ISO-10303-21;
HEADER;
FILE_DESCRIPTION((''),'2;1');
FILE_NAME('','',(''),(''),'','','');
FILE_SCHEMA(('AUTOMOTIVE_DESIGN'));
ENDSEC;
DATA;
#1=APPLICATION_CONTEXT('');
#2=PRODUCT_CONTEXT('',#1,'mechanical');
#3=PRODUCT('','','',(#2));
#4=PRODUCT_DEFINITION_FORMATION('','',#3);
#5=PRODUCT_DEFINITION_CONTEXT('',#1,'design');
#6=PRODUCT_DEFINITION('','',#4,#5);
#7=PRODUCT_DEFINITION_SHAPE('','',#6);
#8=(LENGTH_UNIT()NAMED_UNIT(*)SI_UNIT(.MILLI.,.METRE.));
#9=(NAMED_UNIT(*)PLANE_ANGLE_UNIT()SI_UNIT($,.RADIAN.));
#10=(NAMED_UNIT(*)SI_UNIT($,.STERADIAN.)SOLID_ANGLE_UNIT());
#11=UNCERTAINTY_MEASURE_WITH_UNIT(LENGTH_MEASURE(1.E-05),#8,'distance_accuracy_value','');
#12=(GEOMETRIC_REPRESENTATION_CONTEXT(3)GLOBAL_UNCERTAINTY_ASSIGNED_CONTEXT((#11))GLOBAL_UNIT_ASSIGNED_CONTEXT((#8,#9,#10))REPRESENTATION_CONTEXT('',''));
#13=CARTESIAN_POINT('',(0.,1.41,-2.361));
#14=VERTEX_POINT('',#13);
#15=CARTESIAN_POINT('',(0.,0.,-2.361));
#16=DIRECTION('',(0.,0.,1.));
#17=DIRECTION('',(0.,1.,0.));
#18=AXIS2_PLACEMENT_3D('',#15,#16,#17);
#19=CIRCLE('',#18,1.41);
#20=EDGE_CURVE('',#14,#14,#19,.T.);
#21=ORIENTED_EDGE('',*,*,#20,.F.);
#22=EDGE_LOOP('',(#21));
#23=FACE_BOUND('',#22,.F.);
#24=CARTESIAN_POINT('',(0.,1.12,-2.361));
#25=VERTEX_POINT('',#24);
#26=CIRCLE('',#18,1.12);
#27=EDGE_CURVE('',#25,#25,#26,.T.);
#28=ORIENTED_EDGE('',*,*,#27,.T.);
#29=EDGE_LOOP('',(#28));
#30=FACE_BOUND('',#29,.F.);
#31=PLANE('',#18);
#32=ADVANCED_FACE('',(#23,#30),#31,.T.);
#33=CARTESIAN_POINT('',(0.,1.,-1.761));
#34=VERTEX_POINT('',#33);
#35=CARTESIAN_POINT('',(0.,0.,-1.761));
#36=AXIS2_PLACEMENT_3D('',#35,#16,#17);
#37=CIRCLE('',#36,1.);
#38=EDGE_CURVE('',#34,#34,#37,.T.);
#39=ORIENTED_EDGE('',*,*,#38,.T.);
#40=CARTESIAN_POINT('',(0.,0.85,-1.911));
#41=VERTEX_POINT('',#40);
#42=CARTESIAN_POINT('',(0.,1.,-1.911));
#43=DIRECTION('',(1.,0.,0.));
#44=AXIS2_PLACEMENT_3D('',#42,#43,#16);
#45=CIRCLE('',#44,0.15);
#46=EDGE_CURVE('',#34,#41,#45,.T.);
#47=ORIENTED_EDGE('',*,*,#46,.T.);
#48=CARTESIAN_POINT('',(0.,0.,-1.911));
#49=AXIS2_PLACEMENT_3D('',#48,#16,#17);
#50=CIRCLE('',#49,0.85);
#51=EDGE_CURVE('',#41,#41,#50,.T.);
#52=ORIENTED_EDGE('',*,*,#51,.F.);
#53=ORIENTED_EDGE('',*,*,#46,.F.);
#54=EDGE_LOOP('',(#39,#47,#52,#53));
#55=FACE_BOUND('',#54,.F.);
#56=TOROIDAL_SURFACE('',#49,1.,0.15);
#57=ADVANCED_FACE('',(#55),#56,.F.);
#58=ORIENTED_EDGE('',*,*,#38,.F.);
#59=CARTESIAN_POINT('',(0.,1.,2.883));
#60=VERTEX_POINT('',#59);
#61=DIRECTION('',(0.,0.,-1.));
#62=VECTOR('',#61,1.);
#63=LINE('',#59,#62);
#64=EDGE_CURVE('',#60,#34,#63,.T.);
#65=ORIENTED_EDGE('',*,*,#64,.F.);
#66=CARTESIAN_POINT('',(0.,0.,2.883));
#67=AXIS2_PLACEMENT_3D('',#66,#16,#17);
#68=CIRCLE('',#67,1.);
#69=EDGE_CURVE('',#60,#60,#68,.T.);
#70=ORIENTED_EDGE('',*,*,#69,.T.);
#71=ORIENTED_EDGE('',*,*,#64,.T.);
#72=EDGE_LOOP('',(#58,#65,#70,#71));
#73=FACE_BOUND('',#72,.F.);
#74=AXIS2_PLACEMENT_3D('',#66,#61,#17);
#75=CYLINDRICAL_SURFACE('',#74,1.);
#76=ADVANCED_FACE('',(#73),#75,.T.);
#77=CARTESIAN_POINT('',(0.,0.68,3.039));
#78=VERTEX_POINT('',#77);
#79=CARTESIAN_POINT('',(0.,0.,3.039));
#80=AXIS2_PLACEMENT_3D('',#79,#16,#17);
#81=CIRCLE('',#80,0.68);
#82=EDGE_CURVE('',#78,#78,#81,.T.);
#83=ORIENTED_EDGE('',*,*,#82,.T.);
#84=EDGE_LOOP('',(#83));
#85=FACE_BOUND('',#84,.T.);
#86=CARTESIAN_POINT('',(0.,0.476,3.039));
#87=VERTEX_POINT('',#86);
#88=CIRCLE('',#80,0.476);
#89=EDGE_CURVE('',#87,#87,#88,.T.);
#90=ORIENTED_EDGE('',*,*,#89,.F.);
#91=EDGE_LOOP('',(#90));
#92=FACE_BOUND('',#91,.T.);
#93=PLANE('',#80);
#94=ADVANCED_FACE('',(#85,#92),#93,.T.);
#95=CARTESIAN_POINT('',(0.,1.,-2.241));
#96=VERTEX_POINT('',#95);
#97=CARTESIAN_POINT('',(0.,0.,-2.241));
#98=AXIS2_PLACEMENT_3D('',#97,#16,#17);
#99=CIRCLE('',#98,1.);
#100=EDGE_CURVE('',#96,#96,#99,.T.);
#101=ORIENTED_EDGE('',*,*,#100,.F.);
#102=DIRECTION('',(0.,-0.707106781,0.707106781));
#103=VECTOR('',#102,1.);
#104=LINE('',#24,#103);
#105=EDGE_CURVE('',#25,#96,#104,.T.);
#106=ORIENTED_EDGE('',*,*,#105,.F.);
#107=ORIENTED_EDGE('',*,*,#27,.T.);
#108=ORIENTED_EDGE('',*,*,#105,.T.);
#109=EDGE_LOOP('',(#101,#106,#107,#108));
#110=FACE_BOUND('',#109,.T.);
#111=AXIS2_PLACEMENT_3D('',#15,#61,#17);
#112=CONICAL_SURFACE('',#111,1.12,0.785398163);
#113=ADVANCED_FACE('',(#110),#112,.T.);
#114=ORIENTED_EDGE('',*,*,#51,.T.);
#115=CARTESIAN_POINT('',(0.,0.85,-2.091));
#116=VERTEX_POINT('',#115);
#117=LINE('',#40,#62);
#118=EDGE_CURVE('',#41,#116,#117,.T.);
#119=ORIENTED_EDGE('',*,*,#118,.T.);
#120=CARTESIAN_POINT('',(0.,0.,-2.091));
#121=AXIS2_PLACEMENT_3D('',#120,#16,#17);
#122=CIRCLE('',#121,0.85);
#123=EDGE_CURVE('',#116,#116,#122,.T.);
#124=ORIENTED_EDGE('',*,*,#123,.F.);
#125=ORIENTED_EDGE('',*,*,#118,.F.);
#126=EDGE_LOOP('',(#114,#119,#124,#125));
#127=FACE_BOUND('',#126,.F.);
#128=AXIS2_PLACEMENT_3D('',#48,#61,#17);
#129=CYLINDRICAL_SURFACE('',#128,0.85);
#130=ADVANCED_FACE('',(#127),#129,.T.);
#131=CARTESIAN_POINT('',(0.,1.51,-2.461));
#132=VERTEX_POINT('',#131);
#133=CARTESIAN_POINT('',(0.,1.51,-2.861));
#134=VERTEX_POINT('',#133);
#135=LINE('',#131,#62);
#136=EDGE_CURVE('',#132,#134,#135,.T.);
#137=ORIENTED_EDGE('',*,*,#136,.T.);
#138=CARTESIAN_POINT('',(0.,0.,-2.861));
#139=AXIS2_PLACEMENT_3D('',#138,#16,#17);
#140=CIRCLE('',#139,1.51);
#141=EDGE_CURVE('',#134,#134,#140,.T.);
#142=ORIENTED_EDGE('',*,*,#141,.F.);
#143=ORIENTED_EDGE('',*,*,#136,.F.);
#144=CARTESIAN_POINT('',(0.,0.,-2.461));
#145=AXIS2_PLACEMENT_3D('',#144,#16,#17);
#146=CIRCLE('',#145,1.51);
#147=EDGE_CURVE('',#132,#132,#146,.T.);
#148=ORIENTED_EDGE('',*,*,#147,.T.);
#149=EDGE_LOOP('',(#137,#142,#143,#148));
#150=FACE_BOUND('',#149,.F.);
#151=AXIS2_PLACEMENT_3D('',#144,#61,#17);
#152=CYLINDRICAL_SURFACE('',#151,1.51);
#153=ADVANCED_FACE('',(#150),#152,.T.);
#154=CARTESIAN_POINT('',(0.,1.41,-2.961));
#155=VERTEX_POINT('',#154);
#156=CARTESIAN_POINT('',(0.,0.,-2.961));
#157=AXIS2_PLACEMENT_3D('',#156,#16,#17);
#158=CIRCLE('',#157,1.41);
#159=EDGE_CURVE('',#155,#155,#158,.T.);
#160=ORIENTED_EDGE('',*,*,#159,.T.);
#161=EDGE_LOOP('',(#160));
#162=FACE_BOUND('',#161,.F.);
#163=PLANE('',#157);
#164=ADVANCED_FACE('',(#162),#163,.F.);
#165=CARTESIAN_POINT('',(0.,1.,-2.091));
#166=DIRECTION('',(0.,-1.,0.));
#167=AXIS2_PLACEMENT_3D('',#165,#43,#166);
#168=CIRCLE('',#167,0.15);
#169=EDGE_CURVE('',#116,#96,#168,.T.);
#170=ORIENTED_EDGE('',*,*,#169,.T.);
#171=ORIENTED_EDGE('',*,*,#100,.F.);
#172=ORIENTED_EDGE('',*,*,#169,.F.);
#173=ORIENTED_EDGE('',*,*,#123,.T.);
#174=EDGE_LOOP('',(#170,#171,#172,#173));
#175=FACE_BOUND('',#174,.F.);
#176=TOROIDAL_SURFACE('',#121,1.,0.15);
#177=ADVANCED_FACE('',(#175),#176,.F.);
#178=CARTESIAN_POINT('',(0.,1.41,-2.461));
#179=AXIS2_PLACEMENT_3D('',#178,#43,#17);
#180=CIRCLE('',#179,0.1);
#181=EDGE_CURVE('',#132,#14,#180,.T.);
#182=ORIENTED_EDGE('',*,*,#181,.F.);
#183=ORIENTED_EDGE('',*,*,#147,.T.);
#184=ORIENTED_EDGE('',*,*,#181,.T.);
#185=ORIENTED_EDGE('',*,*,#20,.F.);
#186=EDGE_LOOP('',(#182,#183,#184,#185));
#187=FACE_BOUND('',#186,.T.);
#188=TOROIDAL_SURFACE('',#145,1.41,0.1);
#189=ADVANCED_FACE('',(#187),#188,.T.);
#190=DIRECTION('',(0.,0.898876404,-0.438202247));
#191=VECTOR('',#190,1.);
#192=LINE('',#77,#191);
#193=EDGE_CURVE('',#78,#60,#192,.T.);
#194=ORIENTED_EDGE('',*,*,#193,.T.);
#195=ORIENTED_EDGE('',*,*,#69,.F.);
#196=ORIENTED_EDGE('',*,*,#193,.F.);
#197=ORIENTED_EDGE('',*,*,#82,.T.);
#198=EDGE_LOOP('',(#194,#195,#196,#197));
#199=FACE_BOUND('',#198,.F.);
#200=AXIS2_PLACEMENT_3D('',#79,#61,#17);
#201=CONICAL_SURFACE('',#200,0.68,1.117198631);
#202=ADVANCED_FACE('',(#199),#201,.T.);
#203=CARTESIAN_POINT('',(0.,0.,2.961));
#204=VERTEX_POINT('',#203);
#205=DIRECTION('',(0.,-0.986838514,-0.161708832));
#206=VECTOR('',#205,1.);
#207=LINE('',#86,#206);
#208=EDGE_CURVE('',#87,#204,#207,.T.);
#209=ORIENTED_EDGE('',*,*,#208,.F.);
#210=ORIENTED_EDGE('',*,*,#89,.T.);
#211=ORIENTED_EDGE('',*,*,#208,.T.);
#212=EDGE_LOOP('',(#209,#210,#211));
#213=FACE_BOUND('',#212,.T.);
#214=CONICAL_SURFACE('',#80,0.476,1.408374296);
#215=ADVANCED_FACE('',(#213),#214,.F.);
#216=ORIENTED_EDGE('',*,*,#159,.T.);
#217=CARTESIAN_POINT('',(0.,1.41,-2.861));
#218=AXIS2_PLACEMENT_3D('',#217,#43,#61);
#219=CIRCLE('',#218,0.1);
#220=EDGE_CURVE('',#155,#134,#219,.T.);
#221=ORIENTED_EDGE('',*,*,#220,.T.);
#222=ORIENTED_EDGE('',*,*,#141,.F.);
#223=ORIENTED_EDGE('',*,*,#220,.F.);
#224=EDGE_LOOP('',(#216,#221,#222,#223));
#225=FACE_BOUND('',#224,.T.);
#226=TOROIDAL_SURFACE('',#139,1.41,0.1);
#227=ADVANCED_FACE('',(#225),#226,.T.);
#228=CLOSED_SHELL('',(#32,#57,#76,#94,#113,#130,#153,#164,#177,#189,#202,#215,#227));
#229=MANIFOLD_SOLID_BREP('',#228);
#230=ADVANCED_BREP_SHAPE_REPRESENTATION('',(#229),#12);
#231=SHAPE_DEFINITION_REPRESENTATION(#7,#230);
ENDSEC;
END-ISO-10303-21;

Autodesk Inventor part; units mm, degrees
ref_plane "YZ Plane" through (0, 0, 0) normal (1, 0, 0) x (0, 1, 0)
ref_plane "XZ Plane" through (0, 0, 0) normal (0, 1, 0) x (-1, 0, 0)
ref_plane "XY Plane" through (0, 0, 0) normal (0, 0, 1) x (1, 0, 0)
sketch "Sketch1" plane through (0, 0, 0) normal (1, 0, 0) x (0, 1, 0)
  line L0 (0.68, 3.039) -> (1, 2.883)
  line L1 (1, 2.883) -> (1, -1.761)
  line L2 (1.12, -2.361) -> (1.41, -2.361)
  line L3 (1.51, -2.461) -> (1.51, -2.861)
  line L4 (1.41, -2.961) -> (0, -2.961)
  line L5 (0, -2.961) -> (0, 2.961)
  arc A0 (1.51, -2.461) -> (1.41, -2.361) centre (1.41, -2.461) ccw
  arc A1 (1.41, -2.961) -> (1.51, -2.861) centre (1.41, -2.861) ccw
  line L6 (0.68, 3.039) -> (0.476, 3.039)
  line L7 (0.476, 3.039) -> (0, 2.961)
  line L8 (1.12, -2.361) -> (1, -2.241)
  arc A2 (1, -1.761) -> (0.85, -1.911) centre (1, -1.911) ccw
  line L9 (0.85, -1.911) -> (0.85, -2.091)
  arc A3 (0.85, -2.091) -> (1, -2.241) centre (1, -2.091) ccw
  point P0 (0, 0)
  point P1 (1.51, -2.361)
  point P2 (1.51, -2.961)
  point P3 (0, 0)
  dimension "d0" = 2
  dimension "d2" = 3.02
  dimension "d4" = 1.36
  dimension "d6" = 0.6
  dimension "d8" = 0.1
  dimension "d9" = 0.156
  dimension "d11" = 6
  dimension "d12" = 0.952
  dimension "d13" = 0.078
  dimension "d14" = 2.24
  dimension "d15" = 135
  dimension "d16" = 0.6
  dimension "d17" = 1.7
revolve "Revolution1" add sketch "Sketch1" angle 360 about axis through (0, 0, -2.961) along (0, 0, 1)
properties part number "Pin_Headed-2x6mm" material "Stainless Steel"
